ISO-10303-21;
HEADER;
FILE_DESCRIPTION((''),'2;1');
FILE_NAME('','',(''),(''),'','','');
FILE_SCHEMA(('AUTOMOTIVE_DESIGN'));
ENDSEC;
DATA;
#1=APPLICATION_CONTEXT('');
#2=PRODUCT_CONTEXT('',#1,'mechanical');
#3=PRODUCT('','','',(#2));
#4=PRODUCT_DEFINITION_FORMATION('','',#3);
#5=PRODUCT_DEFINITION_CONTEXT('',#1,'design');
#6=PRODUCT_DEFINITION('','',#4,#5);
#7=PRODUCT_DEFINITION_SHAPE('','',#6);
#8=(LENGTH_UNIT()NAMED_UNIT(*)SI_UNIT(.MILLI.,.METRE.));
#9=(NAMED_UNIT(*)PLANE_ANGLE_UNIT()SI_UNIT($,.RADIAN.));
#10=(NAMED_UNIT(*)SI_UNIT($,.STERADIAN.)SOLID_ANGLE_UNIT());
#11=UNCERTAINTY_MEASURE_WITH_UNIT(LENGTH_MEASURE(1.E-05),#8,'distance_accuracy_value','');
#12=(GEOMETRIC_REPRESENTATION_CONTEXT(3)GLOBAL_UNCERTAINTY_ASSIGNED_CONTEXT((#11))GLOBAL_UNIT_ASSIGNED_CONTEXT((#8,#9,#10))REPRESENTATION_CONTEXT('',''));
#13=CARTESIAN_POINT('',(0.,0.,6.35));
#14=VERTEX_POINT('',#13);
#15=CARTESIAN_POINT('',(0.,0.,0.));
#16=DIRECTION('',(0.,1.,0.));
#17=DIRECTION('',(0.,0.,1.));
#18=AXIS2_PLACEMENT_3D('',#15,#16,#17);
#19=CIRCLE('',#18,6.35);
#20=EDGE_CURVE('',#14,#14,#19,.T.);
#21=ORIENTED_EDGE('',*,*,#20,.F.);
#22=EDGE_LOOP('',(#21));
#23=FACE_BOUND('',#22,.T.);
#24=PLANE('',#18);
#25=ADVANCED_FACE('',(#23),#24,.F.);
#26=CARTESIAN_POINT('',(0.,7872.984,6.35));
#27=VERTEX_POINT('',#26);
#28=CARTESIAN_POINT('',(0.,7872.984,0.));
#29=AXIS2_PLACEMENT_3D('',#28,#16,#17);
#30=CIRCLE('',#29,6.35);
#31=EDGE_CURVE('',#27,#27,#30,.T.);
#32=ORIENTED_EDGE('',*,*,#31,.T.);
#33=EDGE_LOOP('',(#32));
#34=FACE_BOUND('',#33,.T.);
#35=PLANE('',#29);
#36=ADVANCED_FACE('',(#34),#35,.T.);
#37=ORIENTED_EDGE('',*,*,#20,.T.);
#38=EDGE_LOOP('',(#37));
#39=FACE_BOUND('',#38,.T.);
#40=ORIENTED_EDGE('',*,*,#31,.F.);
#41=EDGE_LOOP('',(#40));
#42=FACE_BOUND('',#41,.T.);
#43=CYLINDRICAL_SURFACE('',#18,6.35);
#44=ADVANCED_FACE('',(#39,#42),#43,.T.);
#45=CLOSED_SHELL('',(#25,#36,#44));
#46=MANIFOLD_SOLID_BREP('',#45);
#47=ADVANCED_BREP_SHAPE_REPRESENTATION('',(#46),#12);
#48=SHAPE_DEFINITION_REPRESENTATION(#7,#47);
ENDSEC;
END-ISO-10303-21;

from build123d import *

# Parameters (mm, degrees)
SWEEP1_PROFILE_R = 6.35


with BuildPart() as part:
    # Sweep1: sweep along a path in Sketch1
    with BuildLine(Plane.XY) as sweep1_path:
        Line((0, 0), (0, 7872.984))
    # Sweep1 profile (on start of the path) → Sweep1 (sweep)
    with BuildSketch(Plane.ZX):
        Circle(SWEEP1_PROFILE_R)
    sweep(path=sweep1_path.line)


solid = part.part
